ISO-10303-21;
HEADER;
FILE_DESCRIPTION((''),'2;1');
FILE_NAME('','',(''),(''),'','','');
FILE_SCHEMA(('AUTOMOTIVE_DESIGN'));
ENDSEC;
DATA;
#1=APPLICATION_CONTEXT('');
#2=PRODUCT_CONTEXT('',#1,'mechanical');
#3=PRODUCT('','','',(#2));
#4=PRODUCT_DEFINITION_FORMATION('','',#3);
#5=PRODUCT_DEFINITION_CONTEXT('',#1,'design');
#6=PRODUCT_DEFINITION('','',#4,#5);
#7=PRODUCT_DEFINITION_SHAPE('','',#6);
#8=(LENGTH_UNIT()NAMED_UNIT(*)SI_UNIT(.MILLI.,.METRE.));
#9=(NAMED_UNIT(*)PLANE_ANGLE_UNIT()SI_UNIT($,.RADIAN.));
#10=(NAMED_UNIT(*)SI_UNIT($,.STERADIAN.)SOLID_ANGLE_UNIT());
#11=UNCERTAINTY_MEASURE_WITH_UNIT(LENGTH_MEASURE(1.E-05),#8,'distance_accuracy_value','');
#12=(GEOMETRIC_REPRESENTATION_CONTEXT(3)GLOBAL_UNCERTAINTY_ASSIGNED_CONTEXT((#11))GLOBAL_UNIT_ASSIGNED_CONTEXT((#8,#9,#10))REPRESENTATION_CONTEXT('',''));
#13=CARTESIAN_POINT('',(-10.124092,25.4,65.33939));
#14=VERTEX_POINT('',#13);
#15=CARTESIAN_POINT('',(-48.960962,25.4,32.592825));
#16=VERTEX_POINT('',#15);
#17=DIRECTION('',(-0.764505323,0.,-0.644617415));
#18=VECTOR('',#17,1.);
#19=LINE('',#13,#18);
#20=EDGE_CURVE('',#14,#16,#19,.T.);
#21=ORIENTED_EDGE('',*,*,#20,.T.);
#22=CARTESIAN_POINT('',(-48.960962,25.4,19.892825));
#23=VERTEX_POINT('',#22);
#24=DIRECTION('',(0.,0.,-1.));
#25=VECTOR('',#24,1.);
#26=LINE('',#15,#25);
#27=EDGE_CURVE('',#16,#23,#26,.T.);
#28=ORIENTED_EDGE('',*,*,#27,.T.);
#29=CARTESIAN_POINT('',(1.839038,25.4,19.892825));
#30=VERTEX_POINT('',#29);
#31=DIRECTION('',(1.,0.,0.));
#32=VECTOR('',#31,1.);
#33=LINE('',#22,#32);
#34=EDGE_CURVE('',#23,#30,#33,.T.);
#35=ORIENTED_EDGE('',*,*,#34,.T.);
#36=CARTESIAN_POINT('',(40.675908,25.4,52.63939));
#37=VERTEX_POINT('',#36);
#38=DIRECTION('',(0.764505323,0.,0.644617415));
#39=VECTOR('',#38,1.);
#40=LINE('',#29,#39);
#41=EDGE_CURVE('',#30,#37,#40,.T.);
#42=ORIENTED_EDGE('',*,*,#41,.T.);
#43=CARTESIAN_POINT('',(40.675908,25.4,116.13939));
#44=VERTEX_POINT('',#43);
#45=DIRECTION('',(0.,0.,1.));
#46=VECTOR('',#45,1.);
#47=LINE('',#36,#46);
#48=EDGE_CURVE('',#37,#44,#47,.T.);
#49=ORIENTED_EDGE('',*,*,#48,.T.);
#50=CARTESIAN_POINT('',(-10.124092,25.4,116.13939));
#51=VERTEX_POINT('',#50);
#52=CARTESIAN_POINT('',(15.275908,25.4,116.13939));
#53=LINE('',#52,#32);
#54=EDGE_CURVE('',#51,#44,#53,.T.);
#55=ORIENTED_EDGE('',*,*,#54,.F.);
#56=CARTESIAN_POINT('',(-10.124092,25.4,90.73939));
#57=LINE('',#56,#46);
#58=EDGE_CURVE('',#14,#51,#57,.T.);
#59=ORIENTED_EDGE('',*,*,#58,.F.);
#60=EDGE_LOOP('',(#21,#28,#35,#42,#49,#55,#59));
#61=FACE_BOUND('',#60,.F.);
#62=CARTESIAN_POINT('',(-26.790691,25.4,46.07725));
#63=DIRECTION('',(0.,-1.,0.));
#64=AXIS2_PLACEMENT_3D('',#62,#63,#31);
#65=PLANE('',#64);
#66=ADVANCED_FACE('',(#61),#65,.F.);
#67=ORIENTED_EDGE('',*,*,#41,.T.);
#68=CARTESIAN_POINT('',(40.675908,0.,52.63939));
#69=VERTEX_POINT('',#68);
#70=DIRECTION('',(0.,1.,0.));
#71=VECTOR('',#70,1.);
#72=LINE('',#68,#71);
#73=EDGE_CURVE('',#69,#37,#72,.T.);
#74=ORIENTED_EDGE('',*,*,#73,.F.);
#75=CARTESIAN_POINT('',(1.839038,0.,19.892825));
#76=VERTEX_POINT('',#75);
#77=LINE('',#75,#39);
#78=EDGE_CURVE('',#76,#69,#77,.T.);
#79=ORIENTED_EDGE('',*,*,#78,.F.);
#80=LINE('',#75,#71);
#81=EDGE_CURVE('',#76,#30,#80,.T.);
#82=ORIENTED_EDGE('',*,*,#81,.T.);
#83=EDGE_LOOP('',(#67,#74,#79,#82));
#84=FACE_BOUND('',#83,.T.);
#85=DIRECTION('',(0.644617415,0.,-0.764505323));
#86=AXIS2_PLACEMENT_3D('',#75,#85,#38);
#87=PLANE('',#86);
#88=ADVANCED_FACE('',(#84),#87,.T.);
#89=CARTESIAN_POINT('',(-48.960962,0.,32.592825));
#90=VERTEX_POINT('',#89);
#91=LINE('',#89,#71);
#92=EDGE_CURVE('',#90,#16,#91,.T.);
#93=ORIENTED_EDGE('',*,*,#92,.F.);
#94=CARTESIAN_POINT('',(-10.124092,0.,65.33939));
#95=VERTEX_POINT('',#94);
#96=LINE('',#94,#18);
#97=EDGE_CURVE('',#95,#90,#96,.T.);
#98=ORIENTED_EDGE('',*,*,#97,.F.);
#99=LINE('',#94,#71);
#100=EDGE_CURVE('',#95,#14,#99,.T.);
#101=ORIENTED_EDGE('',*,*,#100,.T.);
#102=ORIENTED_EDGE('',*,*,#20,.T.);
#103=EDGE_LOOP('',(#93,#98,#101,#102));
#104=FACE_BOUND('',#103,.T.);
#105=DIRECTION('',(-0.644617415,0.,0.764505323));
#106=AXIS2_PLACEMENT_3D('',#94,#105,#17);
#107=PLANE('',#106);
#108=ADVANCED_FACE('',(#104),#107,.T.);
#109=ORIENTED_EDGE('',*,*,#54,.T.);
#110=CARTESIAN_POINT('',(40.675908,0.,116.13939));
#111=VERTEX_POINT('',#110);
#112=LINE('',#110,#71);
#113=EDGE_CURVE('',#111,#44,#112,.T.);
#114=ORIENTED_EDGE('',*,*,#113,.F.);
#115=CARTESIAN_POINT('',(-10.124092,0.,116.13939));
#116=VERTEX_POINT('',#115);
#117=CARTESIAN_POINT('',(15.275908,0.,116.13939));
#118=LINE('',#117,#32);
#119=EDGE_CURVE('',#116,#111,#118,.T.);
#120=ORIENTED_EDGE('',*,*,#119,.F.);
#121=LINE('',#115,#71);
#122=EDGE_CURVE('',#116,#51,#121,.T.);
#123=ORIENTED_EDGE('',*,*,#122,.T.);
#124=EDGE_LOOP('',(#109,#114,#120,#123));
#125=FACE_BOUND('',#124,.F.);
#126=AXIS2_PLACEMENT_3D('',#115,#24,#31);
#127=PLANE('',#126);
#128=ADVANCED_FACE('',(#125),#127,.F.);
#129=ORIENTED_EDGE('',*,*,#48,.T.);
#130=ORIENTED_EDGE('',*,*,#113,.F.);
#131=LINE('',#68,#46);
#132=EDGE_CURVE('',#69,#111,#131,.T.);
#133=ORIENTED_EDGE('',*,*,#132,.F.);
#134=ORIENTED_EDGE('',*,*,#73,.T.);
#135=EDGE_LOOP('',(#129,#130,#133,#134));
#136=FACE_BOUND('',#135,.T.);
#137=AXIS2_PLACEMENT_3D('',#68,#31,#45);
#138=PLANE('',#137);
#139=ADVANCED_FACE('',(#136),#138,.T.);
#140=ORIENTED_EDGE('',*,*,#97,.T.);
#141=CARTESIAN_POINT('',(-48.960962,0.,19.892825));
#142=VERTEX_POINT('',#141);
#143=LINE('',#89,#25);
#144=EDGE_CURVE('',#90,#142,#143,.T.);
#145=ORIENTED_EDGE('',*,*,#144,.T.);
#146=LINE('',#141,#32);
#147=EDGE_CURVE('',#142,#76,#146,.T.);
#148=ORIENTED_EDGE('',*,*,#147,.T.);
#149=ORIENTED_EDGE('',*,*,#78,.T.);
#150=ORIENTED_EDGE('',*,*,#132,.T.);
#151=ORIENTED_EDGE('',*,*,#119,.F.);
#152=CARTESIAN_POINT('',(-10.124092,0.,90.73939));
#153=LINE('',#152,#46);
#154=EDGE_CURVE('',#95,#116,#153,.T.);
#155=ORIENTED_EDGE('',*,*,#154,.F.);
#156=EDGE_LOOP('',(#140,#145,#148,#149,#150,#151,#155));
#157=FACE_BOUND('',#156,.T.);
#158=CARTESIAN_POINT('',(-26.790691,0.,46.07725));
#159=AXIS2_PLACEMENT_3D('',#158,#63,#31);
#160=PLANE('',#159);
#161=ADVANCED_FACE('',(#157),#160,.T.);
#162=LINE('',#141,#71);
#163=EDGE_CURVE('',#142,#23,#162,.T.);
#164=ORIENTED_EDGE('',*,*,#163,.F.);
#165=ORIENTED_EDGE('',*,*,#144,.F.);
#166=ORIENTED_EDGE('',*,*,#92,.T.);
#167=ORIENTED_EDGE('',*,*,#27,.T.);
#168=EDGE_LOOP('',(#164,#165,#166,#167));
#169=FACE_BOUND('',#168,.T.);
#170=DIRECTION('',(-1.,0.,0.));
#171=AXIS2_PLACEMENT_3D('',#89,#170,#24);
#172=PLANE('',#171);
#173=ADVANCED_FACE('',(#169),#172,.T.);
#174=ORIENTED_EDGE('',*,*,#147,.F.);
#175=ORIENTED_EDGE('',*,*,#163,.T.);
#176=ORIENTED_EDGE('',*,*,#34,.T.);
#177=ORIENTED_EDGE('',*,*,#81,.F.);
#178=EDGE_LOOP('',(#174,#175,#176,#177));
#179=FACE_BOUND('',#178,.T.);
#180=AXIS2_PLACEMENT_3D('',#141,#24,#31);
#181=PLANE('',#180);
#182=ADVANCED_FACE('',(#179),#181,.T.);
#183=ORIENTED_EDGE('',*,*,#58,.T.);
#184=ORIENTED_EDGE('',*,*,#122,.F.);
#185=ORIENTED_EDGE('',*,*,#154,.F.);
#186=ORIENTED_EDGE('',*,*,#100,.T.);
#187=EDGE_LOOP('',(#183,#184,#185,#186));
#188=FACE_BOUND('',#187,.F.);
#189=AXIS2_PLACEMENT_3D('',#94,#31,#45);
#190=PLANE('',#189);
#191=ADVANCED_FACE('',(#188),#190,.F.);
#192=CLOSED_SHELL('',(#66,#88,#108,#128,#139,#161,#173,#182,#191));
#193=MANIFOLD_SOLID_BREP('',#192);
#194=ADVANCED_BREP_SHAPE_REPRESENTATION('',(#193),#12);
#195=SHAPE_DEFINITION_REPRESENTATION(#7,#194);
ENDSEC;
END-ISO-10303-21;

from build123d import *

# Parameters (mm, degrees)
F0_W     = 50.8
F0_H     = 50.8
F1_DEPTH = 25.4


with BuildPart() as f1:
    # F0 (on Front) → F1 (new body)
    with BuildSketch(Plane.XZ):
        Polygon((-10.1240915534, 65.3393898586), (-48.9609619458, 32.592825182), (-33.8989773116, 32.592825182), (-10.1240915534, 52.6393898586), align=None)
        Polygon((-33.8989773116, 32.592825182), (-48.9609619458, 32.592825182), (-48.9609619458, 19.892825182), align=None)
        Polygon((1.8390380542, 32.592825182), (-33.8989773116, 32.592825182), (-48.9609619458, 19.892825182), (1.8390380542, 19.892825182), align=None)
        Polygon((40.6759084466, 65.3393898586), (-10.1240915534, 65.3393898586), (-10.1240915534, 52.6393898586), (25.6139238124, 52.6393898586), align=None)
        with Locations((15.2759084466, 90.7393898586)):
            Rectangle(F0_W, F0_H)
        Polygon((25.6139238124, 52.6393898586), (1.8390380542, 32.592825182), (1.8390380542, 19.892825182), (40.6759084466, 52.6393898586), align=None)
        Polygon((40.6759084466, 52.6393898586), (40.6759084466, 65.3393898586), (25.6139238124, 52.6393898586), align=None)
        Polygon((-10.1240915534, 52.6393898586), (-33.8989773116, 32.592825182), (1.8390380542, 32.592825182), (25.6139238124, 52.6393898586), align=None)
    extrude(amount=-F1_DEPTH)


solid = f1.part
